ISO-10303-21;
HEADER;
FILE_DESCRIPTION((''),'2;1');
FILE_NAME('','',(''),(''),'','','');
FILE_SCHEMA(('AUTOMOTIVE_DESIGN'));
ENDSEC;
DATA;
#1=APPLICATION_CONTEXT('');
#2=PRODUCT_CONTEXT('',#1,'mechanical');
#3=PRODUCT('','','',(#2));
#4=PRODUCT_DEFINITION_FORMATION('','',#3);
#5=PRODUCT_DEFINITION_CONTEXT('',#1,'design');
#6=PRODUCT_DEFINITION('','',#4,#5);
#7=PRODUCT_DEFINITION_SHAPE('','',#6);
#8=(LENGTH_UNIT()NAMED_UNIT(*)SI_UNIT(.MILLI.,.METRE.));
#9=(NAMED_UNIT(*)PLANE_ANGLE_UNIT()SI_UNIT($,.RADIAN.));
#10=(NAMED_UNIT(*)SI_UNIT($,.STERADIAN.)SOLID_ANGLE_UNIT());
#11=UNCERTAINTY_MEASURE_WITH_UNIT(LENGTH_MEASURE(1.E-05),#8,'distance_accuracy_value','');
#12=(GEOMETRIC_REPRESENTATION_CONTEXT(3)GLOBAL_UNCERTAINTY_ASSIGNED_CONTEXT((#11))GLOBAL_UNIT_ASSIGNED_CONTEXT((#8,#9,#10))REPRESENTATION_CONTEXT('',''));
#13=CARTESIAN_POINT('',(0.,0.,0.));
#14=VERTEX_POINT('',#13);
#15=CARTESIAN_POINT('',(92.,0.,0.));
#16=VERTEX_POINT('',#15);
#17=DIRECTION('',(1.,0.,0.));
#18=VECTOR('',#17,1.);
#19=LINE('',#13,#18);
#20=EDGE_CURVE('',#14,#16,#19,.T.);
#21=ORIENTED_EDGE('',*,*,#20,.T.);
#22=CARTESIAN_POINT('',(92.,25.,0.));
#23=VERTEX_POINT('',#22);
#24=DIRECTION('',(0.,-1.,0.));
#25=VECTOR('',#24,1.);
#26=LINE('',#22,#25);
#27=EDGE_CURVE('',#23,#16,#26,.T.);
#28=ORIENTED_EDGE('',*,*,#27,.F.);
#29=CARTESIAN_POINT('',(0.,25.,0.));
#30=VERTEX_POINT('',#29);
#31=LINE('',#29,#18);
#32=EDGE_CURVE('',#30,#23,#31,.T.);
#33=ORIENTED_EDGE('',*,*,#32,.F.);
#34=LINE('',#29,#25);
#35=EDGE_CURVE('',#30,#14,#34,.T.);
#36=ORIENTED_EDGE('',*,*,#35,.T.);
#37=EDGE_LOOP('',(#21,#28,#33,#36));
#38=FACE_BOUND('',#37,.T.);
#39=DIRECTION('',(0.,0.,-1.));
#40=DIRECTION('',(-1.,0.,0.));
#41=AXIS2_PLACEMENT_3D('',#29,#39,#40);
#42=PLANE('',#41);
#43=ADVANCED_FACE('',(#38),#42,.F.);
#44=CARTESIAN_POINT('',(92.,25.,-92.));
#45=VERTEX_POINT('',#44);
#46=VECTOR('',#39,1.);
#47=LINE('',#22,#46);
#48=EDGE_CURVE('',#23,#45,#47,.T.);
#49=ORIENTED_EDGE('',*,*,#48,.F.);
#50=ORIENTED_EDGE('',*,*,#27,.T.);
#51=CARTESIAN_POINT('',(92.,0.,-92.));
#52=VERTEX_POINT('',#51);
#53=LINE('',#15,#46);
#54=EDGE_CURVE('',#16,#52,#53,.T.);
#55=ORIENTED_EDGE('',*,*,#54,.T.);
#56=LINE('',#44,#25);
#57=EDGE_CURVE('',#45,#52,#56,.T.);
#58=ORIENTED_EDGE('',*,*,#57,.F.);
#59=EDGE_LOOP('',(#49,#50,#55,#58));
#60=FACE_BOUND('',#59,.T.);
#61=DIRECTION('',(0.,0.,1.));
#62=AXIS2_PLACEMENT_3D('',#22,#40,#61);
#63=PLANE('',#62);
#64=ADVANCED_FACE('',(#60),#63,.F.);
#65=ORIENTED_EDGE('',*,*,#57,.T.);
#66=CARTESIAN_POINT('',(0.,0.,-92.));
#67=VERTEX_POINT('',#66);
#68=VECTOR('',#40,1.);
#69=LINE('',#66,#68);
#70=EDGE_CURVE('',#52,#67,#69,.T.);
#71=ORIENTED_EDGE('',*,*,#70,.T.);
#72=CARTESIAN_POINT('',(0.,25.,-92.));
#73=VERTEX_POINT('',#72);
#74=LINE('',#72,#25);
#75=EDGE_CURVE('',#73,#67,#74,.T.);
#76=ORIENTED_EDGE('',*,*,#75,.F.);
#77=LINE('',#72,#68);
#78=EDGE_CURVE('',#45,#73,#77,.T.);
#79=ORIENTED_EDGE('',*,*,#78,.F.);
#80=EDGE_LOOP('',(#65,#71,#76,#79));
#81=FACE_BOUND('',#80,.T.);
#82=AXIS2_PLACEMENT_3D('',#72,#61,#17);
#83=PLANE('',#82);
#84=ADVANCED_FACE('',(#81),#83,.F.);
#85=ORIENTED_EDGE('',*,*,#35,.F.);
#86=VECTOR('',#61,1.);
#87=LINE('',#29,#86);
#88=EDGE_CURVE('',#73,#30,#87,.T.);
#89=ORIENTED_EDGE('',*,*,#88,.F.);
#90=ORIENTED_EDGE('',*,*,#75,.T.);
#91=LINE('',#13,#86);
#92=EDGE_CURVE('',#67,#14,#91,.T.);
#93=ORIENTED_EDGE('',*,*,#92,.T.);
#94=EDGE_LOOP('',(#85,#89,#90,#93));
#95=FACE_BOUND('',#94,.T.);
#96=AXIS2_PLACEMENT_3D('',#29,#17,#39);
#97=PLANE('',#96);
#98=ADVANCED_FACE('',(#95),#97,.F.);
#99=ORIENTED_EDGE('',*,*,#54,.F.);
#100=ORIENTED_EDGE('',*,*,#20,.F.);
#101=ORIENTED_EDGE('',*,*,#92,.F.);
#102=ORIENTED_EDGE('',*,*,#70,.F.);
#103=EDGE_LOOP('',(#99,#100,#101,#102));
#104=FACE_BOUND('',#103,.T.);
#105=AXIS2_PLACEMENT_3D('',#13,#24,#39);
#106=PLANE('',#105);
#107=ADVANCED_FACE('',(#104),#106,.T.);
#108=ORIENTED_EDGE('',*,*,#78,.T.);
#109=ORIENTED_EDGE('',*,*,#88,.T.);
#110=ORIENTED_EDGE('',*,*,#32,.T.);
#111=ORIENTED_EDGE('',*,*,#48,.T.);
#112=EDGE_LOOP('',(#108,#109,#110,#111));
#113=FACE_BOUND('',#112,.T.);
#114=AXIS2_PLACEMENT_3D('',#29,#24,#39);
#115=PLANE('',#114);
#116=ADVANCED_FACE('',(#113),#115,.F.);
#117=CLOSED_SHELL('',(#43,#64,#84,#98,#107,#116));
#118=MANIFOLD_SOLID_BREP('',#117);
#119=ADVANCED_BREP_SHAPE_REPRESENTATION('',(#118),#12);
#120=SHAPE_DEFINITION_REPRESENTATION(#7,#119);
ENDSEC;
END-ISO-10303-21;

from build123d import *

# Parameters (mm, degrees)
SKETCH_1_W      = 92
SKETCH_1_H      = 92
EXTRUDE_1_DEPTH = 25


with BuildPart() as part:
    # 草图1 → 凸台-拉伸1 (new body)
    with BuildSketch(Plane(origin=(0, 0, 0), x_dir=(1, 0, 0), z_dir=(0, 1, 0))):
        with Locations((46, 46)):
            Rectangle(SKETCH_1_W, SKETCH_1_H)
    extrude(amount=EXTRUDE_1_DEPTH)


solid = part.part
